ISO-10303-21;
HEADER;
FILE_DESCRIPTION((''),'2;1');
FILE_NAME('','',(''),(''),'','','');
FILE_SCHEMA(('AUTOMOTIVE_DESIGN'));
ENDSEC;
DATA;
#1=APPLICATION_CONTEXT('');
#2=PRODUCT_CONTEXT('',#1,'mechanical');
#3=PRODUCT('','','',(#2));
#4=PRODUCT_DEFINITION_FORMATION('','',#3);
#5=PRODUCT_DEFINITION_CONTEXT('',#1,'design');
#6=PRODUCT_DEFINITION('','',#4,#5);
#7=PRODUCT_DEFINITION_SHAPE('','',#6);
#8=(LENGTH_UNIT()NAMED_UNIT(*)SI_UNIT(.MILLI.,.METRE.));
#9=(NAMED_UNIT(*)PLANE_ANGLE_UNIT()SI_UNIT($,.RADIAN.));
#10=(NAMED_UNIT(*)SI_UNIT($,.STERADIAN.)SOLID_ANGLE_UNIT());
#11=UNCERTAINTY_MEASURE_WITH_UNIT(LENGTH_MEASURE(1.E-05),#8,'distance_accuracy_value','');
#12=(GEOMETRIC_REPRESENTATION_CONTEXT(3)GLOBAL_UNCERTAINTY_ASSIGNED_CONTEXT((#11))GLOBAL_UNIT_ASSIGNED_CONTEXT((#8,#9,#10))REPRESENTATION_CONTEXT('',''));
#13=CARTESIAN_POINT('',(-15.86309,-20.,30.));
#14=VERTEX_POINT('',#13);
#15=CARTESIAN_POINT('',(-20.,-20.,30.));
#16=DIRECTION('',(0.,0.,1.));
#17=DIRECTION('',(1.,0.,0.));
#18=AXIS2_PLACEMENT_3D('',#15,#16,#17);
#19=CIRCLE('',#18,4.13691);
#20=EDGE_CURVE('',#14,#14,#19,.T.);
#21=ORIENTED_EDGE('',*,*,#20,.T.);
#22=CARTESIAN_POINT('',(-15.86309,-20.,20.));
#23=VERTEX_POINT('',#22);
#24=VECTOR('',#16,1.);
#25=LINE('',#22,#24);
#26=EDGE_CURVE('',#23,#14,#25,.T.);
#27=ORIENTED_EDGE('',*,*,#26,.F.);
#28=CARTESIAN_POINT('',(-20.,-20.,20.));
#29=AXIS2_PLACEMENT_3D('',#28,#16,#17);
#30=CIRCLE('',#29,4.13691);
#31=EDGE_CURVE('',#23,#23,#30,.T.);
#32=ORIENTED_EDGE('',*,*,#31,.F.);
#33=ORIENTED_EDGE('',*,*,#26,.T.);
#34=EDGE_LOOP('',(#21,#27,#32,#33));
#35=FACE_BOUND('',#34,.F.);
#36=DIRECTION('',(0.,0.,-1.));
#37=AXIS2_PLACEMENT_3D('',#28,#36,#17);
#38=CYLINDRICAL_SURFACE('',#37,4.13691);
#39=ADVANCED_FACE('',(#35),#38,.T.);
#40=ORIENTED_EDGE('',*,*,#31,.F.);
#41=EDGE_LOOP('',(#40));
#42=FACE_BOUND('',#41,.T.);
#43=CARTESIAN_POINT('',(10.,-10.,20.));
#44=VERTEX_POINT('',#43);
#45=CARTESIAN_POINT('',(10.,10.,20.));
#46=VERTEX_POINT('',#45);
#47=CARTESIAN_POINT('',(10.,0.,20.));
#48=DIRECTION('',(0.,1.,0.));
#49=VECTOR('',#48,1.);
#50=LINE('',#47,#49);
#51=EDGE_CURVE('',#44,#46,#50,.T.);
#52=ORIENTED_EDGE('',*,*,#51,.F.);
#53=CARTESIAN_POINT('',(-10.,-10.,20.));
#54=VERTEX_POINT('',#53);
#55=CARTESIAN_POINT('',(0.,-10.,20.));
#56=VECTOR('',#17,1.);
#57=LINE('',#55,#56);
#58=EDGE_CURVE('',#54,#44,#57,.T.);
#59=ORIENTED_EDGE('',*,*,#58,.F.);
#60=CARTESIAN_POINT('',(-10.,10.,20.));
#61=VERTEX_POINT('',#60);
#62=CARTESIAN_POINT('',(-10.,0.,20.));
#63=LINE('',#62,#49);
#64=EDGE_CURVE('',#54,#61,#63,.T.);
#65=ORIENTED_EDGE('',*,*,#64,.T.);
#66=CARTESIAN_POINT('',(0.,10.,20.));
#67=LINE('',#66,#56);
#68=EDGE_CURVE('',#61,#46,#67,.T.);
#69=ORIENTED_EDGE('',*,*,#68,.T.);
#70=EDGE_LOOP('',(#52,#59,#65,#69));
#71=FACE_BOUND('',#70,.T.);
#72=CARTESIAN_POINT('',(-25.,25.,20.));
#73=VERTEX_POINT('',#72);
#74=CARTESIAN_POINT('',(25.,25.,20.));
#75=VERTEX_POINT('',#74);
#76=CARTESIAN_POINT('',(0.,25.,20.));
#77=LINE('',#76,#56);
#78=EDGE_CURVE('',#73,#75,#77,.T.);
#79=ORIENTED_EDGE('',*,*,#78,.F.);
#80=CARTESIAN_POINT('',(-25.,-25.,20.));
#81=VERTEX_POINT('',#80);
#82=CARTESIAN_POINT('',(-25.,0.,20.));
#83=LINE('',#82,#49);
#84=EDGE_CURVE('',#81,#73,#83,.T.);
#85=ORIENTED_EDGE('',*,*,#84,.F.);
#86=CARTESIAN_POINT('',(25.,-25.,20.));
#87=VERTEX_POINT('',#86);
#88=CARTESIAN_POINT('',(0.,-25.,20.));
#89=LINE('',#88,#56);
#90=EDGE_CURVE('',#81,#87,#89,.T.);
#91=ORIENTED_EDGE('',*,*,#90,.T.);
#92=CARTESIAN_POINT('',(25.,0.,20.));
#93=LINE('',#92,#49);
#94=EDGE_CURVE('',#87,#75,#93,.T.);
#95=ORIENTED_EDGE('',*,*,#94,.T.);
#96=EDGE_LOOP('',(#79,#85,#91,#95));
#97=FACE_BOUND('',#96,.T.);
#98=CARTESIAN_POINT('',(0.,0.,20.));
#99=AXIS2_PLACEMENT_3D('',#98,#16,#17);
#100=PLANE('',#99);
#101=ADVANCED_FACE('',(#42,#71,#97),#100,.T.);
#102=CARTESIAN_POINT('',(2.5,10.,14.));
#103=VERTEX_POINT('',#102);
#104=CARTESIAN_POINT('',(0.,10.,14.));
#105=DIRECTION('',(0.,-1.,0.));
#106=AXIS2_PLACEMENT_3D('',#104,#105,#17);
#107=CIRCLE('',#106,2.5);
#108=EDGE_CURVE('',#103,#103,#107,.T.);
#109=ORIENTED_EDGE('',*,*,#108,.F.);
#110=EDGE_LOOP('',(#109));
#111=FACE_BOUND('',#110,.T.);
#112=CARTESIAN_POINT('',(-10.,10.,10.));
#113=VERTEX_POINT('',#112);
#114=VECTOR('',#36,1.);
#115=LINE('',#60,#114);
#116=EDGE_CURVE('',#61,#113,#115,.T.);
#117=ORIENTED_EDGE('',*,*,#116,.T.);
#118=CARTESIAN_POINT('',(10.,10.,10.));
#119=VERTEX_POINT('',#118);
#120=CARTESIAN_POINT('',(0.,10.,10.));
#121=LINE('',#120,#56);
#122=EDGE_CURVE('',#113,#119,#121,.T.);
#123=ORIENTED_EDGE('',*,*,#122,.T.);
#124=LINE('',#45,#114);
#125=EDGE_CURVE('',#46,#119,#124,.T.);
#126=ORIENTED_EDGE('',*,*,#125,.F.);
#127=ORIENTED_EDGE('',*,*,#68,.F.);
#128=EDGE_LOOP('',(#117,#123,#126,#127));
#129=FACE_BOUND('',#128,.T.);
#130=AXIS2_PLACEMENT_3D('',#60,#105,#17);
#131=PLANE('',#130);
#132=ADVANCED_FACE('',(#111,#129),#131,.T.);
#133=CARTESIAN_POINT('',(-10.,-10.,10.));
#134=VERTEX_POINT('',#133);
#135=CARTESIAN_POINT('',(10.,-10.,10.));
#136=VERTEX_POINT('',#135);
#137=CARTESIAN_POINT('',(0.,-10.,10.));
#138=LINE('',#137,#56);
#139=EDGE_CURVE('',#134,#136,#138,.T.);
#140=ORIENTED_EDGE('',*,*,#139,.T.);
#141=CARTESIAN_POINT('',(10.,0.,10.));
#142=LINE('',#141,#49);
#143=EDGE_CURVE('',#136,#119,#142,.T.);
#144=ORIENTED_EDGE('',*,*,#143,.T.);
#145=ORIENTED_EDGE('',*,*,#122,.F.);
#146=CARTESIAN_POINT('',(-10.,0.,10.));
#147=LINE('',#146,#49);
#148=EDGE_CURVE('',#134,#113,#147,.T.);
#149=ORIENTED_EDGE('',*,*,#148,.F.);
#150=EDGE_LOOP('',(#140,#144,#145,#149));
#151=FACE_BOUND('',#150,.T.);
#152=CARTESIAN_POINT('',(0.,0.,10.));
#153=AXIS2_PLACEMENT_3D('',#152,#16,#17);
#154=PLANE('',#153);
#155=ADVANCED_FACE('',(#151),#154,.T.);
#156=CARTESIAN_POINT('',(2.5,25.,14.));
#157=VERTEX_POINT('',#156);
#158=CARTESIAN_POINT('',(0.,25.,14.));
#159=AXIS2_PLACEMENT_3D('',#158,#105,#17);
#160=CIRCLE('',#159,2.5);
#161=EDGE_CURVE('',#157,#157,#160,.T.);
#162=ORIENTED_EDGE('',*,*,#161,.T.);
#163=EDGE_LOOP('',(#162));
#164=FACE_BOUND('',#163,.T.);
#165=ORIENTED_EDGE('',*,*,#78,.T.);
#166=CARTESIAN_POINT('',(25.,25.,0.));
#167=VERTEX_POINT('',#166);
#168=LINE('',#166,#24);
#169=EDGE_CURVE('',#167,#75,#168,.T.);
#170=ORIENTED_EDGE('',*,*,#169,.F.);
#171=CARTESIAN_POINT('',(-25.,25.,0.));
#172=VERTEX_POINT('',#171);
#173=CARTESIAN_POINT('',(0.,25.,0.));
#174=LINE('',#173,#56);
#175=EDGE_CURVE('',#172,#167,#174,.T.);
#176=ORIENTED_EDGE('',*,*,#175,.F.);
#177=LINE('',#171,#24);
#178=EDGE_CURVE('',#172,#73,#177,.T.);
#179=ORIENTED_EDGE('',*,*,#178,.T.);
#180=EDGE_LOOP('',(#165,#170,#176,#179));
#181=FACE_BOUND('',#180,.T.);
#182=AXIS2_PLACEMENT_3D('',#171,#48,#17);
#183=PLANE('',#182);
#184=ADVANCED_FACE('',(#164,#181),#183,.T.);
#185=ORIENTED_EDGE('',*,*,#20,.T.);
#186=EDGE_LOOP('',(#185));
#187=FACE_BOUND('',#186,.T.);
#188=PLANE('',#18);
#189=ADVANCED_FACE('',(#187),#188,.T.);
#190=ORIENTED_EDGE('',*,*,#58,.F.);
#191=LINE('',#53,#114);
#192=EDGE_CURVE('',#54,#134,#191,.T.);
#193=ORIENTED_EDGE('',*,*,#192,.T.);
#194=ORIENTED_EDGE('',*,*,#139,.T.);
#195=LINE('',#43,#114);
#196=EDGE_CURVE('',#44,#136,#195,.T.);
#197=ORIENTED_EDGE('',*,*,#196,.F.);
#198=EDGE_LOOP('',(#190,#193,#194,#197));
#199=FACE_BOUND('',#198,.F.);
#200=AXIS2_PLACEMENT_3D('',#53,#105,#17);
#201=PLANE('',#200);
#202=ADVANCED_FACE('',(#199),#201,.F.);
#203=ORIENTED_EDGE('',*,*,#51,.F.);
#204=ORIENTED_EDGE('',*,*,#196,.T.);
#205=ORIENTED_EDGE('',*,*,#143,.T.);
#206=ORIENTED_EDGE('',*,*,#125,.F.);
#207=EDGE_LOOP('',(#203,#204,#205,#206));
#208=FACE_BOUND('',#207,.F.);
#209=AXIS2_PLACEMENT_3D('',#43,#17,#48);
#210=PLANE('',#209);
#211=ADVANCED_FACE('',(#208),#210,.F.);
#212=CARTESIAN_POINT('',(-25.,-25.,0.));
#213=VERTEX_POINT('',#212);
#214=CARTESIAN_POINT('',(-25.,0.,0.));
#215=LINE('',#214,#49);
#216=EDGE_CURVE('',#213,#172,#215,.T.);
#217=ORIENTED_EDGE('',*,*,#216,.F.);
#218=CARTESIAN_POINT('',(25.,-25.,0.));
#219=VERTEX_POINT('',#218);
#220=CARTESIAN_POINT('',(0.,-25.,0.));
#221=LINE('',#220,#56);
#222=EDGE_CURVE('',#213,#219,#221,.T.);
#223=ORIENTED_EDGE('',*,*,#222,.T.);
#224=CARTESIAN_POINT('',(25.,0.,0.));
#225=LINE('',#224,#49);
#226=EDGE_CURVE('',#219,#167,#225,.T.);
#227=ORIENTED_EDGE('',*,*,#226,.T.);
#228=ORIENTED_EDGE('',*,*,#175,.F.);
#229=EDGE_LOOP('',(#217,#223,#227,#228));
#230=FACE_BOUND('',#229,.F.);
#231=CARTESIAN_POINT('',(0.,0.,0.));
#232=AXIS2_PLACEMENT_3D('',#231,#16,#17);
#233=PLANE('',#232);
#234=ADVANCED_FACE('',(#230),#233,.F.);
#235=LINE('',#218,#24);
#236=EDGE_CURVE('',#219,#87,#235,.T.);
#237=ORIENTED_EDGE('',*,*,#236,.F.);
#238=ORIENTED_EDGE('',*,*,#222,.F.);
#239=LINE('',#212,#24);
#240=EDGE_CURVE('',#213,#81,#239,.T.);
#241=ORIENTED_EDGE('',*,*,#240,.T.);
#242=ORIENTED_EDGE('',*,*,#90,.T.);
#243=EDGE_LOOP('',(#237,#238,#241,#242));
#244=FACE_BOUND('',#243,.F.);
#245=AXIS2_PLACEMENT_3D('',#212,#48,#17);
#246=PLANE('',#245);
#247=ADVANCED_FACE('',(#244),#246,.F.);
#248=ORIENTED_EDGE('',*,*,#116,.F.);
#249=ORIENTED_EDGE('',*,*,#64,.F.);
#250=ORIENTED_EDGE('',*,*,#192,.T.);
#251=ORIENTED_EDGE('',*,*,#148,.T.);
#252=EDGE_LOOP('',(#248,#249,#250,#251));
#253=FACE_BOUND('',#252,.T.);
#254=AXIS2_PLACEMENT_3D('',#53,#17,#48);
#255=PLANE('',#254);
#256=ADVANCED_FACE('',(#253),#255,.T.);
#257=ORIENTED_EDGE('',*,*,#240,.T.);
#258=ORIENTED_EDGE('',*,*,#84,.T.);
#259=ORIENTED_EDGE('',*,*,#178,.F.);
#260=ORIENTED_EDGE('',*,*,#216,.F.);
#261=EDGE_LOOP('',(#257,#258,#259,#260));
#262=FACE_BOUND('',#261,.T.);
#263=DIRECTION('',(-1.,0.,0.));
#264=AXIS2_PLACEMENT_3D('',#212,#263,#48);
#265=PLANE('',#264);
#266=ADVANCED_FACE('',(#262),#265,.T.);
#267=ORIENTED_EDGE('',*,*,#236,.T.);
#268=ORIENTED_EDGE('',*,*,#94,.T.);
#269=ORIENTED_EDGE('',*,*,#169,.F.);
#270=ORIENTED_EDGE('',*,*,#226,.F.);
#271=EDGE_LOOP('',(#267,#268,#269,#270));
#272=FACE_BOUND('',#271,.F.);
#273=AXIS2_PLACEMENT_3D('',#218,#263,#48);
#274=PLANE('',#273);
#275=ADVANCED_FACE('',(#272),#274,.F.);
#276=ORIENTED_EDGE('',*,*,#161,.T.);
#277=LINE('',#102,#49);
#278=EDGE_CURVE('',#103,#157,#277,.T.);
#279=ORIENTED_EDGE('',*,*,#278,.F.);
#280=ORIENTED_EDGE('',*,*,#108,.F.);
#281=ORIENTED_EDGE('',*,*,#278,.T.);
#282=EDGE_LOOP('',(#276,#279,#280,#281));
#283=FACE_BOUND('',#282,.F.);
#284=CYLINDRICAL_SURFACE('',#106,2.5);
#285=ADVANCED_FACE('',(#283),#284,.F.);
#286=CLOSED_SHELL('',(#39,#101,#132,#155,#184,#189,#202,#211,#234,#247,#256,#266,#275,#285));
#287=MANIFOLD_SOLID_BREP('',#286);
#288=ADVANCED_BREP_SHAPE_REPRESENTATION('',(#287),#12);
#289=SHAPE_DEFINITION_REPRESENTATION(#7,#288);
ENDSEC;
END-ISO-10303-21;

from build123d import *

# Parameters (mm, degrees)
F0_W     = 50
F0_H     = 50
F1_DEPTH = 20
F2_W     = 20
F2_H     = 20
F3_DEPTH = 10
F4_R     = 4.13691
F5_DEPTH = 10
F6_R     = 2.5
F7_DEPTH = 24.5615


with BuildPart() as f1:
    # F0 (on Top) → F1 (new body)
    with BuildSketch(Plane.XY):
        Rectangle(F0_W, F0_H)
    extrude(amount=F1_DEPTH)

    # F2 (on face) → F3 (cut)
    with BuildSketch(Plane.XY.offset(20)):
        Rectangle(F2_W, F2_H)
    extrude(amount=-F3_DEPTH, mode=Mode.SUBTRACT)

    # F4 (on face) → F5 (join)
    with BuildSketch(Plane.XY.offset(20)):
        with Locations((-20, -20)):
            Circle(F4_R)
    extrude(amount=F5_DEPTH)

    # F6 (on face) → F7 (cut)
    with BuildSketch(Plane.XZ.offset(-10)):
        with Locations((0, 14)):
            Circle(F6_R)
    extrude(amount=-F7_DEPTH, mode=Mode.SUBTRACT)


solid = f1.part
